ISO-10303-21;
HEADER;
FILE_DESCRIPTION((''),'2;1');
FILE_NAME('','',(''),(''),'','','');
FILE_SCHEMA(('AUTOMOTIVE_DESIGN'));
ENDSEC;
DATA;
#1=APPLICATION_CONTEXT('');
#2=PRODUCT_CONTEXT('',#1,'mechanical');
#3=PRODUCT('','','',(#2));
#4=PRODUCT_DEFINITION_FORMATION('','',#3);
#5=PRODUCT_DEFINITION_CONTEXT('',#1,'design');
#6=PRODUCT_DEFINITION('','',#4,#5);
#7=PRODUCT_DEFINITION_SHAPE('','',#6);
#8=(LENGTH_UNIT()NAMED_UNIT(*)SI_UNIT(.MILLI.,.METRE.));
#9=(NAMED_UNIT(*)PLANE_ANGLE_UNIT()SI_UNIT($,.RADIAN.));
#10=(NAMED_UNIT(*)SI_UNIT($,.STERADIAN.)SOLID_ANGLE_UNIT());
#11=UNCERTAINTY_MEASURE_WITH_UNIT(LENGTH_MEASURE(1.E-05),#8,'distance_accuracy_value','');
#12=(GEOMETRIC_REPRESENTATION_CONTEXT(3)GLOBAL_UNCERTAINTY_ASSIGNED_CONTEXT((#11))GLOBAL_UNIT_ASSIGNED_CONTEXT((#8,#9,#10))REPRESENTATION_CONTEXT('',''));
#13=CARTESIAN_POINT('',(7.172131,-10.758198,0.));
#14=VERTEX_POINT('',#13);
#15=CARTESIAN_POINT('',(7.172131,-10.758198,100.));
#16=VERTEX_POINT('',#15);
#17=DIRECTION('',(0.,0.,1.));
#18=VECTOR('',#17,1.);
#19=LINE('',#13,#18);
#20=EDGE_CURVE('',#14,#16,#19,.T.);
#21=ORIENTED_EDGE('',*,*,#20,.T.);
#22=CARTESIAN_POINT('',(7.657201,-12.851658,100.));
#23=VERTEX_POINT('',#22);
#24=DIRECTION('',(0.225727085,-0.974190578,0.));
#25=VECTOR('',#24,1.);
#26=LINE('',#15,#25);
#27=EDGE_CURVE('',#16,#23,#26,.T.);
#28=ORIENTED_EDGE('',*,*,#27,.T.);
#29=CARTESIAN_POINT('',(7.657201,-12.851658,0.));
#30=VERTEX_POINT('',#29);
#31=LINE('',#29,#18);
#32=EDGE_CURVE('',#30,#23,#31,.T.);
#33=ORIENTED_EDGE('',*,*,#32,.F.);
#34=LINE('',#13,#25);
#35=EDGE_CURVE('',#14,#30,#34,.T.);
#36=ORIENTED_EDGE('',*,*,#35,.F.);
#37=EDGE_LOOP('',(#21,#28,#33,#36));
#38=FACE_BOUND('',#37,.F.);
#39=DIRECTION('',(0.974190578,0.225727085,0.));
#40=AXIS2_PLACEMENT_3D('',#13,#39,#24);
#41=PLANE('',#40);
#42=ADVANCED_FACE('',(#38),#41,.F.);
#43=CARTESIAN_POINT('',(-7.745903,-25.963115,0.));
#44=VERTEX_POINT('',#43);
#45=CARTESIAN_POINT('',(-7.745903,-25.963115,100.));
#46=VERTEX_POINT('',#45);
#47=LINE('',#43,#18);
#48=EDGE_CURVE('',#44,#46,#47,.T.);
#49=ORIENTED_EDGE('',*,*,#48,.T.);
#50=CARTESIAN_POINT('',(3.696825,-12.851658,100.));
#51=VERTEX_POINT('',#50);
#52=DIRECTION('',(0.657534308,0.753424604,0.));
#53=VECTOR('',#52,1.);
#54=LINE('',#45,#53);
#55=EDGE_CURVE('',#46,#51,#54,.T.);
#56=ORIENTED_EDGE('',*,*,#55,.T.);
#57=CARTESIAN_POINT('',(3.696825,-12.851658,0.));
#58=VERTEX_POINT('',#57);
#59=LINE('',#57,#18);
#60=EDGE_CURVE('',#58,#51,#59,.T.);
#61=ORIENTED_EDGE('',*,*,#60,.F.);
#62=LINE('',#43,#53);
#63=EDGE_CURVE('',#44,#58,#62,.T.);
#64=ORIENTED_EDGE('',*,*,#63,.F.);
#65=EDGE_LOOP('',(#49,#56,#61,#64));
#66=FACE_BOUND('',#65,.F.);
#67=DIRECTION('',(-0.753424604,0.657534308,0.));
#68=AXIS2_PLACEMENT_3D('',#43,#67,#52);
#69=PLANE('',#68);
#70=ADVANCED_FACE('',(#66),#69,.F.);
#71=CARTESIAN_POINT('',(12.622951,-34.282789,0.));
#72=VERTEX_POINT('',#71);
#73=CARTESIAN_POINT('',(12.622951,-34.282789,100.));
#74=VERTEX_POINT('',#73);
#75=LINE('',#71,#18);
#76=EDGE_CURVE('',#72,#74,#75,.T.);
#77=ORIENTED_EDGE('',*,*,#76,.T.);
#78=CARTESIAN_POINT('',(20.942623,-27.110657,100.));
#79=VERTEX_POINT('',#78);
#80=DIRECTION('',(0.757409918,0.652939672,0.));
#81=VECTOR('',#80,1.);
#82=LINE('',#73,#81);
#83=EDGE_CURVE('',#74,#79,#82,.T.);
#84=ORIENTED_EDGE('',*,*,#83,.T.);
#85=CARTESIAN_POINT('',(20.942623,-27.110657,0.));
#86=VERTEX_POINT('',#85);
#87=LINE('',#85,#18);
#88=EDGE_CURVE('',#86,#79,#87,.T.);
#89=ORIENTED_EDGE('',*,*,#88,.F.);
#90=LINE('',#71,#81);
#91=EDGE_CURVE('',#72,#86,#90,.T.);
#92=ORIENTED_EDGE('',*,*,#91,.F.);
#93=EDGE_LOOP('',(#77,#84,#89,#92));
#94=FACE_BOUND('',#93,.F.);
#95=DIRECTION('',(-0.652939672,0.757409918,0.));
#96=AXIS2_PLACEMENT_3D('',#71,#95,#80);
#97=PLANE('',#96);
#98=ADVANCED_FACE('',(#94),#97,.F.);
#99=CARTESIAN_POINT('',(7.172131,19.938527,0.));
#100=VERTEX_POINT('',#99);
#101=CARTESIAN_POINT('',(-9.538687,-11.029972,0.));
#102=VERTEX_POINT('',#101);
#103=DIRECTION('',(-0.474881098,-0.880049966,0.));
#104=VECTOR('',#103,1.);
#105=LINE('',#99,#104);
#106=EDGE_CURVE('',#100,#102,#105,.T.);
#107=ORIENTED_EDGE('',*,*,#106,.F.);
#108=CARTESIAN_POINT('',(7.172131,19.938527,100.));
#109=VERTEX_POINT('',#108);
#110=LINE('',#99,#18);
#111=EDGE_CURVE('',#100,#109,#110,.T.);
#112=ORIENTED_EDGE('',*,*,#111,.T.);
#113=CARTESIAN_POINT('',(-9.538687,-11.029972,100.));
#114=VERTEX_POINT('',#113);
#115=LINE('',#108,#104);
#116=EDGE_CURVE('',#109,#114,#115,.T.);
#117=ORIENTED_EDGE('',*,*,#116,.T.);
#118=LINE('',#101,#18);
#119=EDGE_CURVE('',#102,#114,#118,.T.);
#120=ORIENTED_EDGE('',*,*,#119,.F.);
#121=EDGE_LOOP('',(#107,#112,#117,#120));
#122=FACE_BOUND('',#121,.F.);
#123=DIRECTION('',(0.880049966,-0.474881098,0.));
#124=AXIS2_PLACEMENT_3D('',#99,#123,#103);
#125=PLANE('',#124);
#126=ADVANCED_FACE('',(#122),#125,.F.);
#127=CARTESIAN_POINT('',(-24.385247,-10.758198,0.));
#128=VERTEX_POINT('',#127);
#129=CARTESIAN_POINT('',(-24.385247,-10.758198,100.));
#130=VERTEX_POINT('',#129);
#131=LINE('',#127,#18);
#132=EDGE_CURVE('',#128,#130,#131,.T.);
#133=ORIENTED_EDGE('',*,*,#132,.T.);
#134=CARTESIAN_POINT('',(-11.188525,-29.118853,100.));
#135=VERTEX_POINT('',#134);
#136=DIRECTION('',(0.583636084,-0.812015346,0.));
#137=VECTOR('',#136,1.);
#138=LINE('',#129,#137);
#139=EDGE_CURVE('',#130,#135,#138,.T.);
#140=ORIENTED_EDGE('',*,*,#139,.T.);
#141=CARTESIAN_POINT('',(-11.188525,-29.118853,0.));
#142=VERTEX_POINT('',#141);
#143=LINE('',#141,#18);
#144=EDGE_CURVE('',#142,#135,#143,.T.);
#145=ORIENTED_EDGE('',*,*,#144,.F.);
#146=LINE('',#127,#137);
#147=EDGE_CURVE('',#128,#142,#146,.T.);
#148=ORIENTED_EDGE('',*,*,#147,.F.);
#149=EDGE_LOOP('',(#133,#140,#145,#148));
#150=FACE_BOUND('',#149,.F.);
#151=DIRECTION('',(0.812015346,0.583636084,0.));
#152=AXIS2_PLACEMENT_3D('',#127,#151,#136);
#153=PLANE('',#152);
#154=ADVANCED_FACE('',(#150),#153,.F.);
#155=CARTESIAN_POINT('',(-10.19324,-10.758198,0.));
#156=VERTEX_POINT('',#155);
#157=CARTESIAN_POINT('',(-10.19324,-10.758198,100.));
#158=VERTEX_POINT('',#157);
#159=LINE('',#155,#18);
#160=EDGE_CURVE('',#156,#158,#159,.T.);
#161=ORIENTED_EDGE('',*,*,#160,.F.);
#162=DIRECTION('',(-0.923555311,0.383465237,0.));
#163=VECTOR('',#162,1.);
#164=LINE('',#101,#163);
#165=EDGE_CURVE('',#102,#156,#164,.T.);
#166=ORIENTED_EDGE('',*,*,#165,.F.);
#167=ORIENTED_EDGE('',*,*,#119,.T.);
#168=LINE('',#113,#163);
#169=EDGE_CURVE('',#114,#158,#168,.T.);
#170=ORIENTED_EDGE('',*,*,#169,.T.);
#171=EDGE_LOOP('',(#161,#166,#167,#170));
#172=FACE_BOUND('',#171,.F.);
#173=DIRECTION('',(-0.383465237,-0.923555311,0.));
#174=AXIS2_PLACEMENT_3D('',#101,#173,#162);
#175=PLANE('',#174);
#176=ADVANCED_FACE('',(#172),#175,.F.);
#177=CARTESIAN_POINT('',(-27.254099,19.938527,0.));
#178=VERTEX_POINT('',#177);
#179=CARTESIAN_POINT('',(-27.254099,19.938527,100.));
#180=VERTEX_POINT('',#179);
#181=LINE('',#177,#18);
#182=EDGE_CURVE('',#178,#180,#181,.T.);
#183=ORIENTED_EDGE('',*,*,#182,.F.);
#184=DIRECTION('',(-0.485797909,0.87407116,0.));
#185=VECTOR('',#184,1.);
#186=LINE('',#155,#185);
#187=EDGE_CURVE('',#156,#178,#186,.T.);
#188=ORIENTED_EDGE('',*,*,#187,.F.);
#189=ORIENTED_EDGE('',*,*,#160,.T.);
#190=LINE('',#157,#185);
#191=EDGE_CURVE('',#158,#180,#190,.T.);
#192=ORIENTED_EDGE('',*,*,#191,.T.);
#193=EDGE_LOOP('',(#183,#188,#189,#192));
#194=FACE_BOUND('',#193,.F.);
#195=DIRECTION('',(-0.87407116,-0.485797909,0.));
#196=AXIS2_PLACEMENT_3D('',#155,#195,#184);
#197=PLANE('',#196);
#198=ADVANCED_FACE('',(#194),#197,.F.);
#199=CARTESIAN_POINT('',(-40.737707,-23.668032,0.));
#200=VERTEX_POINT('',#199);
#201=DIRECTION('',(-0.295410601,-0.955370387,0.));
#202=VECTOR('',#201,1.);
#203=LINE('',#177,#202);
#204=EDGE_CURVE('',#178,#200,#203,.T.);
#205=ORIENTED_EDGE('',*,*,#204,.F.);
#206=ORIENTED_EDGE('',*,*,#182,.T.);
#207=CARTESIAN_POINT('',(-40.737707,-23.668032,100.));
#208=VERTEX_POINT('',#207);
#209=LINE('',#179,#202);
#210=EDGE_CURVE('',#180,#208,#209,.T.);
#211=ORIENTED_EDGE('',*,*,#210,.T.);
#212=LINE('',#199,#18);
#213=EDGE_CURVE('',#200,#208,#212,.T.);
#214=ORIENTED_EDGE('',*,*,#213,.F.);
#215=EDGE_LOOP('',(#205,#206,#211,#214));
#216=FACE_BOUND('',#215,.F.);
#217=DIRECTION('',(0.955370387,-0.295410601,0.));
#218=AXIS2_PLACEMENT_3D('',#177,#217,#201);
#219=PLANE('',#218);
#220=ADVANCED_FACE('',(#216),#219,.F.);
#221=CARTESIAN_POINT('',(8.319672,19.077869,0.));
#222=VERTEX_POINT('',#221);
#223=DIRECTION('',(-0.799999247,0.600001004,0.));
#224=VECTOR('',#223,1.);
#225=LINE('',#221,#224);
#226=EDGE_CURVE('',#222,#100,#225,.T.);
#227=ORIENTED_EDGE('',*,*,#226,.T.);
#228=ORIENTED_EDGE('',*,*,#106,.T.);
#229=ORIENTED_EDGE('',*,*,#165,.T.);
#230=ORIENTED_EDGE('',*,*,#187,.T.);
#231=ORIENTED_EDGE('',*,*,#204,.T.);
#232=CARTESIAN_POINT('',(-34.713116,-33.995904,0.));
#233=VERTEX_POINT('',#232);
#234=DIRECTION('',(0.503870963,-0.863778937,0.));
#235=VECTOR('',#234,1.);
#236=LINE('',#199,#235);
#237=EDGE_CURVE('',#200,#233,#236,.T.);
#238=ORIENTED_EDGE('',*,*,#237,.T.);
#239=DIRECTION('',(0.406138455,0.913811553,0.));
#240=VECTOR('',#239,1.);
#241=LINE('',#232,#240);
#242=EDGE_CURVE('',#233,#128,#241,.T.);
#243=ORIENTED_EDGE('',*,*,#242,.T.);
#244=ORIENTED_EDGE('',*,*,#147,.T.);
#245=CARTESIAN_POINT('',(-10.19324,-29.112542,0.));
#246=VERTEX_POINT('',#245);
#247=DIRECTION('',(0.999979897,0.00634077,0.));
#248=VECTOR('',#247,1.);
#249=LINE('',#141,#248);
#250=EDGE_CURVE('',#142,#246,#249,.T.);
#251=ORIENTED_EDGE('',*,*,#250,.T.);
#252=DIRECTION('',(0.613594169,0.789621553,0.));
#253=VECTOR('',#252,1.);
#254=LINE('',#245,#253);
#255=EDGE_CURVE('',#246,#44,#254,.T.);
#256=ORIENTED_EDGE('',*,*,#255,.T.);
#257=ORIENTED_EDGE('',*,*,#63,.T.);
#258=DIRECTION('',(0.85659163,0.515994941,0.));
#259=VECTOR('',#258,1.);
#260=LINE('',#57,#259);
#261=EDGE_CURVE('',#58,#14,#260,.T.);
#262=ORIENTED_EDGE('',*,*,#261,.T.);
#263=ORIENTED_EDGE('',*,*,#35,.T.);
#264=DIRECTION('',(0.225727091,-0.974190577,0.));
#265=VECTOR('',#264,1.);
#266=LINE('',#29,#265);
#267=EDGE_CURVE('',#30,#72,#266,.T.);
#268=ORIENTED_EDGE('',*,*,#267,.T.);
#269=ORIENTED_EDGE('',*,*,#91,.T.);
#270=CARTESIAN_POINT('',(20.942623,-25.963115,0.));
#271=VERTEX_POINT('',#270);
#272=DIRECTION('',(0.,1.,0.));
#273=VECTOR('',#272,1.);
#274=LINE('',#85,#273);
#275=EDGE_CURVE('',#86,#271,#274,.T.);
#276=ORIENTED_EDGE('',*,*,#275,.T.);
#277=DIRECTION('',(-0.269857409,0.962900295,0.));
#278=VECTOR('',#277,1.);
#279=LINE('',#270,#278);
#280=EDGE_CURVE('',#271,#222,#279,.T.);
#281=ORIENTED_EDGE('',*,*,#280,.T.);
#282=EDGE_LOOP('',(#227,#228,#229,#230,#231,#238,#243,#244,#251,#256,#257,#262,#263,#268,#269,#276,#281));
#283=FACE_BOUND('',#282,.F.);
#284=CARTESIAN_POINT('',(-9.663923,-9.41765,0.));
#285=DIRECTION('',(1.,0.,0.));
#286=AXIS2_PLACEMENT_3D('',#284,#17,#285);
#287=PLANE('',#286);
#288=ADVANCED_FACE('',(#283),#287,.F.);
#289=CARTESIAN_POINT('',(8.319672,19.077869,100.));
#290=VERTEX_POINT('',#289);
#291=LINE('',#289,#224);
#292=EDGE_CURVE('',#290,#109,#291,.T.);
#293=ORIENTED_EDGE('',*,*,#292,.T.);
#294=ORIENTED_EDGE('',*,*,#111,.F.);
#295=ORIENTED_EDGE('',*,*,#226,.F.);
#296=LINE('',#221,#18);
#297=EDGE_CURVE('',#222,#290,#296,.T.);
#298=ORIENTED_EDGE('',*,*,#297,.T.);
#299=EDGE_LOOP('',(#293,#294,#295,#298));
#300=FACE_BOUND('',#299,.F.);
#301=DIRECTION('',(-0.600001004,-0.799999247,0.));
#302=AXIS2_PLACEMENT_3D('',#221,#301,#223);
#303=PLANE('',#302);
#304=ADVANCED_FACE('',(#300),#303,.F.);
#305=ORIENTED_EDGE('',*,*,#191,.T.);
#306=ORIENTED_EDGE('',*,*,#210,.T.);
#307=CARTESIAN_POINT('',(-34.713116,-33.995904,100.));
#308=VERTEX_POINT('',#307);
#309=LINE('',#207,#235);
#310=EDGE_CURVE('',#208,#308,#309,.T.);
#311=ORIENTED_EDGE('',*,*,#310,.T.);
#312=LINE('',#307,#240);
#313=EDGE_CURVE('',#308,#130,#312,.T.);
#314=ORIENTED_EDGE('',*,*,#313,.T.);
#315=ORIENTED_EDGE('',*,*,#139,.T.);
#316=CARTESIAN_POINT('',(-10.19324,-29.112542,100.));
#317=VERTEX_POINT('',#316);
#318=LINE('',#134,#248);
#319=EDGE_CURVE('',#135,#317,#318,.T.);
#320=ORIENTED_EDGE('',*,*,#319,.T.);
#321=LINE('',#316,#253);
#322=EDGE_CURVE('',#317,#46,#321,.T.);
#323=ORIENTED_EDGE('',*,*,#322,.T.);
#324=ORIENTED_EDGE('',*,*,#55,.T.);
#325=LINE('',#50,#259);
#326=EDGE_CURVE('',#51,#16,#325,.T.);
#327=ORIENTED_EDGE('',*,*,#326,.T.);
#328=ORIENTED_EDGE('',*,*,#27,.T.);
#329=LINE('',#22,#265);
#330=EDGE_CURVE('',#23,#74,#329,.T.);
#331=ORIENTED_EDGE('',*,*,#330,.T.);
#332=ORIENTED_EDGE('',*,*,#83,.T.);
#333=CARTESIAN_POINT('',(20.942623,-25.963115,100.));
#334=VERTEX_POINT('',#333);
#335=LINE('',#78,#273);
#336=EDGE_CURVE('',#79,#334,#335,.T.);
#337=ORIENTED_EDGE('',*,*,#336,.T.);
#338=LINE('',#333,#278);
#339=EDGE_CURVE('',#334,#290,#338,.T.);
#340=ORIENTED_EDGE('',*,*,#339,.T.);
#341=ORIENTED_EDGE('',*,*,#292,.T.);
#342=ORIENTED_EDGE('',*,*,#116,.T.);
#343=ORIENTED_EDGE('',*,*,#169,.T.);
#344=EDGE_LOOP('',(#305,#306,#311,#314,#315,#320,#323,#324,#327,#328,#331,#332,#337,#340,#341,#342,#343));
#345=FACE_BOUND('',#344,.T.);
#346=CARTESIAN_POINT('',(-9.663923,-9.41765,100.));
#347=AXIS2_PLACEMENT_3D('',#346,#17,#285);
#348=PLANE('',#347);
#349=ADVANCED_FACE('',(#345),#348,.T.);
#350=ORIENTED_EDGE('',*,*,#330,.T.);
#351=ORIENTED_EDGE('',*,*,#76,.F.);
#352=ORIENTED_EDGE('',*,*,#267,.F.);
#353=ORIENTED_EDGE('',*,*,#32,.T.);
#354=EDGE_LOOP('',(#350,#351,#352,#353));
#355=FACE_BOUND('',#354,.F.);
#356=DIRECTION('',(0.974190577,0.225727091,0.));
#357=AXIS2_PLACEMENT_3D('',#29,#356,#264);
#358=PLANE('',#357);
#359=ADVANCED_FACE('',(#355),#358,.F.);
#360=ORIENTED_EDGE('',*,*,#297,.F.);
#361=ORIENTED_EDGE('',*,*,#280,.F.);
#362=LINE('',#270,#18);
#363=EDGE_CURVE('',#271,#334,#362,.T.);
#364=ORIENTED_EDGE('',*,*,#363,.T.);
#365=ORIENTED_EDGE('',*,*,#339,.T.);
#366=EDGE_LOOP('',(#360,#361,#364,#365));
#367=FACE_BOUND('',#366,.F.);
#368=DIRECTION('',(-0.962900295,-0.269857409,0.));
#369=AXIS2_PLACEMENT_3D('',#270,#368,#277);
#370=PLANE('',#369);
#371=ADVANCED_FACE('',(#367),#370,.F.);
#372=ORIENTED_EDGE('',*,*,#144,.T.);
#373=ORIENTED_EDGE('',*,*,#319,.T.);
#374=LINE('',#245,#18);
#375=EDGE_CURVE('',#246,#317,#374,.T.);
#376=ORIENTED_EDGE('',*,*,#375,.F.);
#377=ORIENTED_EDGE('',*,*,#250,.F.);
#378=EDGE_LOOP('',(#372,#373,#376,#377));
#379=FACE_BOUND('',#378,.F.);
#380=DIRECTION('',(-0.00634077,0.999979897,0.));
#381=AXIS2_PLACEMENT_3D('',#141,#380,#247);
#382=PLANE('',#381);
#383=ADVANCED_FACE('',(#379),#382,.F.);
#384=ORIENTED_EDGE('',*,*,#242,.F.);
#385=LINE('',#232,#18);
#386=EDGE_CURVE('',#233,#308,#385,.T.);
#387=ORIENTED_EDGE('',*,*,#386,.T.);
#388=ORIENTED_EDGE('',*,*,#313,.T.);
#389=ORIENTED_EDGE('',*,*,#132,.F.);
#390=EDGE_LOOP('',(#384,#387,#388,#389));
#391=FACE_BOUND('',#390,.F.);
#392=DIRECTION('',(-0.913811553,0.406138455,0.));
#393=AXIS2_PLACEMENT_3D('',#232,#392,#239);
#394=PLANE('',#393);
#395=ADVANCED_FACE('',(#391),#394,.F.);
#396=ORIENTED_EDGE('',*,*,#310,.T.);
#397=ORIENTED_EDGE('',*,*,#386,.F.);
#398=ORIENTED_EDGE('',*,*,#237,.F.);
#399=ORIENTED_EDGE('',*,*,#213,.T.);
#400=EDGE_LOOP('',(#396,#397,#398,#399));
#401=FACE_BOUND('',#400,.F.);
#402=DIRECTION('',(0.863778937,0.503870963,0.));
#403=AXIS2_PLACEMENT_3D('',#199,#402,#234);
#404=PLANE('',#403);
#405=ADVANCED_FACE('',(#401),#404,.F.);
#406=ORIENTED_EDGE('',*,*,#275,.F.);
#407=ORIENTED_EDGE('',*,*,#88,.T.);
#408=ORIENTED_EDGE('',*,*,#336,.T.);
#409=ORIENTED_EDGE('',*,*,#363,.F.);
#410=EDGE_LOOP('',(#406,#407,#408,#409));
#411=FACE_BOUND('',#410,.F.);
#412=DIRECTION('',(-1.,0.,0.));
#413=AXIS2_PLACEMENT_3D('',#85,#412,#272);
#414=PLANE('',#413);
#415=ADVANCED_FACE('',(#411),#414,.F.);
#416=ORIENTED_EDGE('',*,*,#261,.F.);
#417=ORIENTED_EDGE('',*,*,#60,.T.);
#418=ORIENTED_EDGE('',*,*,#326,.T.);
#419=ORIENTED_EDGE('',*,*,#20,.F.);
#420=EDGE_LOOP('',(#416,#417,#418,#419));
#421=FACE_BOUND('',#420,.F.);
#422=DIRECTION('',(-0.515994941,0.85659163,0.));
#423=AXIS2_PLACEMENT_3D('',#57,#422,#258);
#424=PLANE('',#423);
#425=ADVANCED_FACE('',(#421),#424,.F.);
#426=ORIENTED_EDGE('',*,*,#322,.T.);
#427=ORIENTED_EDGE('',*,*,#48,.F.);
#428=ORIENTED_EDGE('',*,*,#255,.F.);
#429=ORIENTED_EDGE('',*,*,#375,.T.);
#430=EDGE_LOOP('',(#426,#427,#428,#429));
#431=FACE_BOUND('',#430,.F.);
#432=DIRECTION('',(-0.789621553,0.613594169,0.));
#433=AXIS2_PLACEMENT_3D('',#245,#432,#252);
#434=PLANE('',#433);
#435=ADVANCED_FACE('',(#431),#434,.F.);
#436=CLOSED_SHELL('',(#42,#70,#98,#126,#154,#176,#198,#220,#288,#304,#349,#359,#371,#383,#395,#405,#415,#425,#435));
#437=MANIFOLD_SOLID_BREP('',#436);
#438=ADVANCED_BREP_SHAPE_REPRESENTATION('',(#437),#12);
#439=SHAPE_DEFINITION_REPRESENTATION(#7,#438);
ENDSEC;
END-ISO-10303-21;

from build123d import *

# Parameters (mm, degrees)
F1_DEPTH = 100


with BuildPart() as f1:
    # F0 (on Top) → F1 (new body)
    with BuildSketch(Plane.XY):
        Polygon((-27.254099, 19.938527), (-40.737707, -23.668032), (-34.713116, -33.995904), (-24.385247, -10.758198), (-11.188525, -29.118853), (-10.19324, -29.112542), (-7.745903, -25.963115), (3.696825, -12.851658), (7.172131, -10.758198), (7.657201, -12.851658), (12.622951, -34.282789), (20.942623, -27.110657), (20.942623, -25.963115), (8.319672, 19.077869), (7.172131, 19.938527), (-9.538687, -11.029972), (-10.19324, -10.758198), align=None)
    extrude(amount=F1_DEPTH)


solid = f1.part
